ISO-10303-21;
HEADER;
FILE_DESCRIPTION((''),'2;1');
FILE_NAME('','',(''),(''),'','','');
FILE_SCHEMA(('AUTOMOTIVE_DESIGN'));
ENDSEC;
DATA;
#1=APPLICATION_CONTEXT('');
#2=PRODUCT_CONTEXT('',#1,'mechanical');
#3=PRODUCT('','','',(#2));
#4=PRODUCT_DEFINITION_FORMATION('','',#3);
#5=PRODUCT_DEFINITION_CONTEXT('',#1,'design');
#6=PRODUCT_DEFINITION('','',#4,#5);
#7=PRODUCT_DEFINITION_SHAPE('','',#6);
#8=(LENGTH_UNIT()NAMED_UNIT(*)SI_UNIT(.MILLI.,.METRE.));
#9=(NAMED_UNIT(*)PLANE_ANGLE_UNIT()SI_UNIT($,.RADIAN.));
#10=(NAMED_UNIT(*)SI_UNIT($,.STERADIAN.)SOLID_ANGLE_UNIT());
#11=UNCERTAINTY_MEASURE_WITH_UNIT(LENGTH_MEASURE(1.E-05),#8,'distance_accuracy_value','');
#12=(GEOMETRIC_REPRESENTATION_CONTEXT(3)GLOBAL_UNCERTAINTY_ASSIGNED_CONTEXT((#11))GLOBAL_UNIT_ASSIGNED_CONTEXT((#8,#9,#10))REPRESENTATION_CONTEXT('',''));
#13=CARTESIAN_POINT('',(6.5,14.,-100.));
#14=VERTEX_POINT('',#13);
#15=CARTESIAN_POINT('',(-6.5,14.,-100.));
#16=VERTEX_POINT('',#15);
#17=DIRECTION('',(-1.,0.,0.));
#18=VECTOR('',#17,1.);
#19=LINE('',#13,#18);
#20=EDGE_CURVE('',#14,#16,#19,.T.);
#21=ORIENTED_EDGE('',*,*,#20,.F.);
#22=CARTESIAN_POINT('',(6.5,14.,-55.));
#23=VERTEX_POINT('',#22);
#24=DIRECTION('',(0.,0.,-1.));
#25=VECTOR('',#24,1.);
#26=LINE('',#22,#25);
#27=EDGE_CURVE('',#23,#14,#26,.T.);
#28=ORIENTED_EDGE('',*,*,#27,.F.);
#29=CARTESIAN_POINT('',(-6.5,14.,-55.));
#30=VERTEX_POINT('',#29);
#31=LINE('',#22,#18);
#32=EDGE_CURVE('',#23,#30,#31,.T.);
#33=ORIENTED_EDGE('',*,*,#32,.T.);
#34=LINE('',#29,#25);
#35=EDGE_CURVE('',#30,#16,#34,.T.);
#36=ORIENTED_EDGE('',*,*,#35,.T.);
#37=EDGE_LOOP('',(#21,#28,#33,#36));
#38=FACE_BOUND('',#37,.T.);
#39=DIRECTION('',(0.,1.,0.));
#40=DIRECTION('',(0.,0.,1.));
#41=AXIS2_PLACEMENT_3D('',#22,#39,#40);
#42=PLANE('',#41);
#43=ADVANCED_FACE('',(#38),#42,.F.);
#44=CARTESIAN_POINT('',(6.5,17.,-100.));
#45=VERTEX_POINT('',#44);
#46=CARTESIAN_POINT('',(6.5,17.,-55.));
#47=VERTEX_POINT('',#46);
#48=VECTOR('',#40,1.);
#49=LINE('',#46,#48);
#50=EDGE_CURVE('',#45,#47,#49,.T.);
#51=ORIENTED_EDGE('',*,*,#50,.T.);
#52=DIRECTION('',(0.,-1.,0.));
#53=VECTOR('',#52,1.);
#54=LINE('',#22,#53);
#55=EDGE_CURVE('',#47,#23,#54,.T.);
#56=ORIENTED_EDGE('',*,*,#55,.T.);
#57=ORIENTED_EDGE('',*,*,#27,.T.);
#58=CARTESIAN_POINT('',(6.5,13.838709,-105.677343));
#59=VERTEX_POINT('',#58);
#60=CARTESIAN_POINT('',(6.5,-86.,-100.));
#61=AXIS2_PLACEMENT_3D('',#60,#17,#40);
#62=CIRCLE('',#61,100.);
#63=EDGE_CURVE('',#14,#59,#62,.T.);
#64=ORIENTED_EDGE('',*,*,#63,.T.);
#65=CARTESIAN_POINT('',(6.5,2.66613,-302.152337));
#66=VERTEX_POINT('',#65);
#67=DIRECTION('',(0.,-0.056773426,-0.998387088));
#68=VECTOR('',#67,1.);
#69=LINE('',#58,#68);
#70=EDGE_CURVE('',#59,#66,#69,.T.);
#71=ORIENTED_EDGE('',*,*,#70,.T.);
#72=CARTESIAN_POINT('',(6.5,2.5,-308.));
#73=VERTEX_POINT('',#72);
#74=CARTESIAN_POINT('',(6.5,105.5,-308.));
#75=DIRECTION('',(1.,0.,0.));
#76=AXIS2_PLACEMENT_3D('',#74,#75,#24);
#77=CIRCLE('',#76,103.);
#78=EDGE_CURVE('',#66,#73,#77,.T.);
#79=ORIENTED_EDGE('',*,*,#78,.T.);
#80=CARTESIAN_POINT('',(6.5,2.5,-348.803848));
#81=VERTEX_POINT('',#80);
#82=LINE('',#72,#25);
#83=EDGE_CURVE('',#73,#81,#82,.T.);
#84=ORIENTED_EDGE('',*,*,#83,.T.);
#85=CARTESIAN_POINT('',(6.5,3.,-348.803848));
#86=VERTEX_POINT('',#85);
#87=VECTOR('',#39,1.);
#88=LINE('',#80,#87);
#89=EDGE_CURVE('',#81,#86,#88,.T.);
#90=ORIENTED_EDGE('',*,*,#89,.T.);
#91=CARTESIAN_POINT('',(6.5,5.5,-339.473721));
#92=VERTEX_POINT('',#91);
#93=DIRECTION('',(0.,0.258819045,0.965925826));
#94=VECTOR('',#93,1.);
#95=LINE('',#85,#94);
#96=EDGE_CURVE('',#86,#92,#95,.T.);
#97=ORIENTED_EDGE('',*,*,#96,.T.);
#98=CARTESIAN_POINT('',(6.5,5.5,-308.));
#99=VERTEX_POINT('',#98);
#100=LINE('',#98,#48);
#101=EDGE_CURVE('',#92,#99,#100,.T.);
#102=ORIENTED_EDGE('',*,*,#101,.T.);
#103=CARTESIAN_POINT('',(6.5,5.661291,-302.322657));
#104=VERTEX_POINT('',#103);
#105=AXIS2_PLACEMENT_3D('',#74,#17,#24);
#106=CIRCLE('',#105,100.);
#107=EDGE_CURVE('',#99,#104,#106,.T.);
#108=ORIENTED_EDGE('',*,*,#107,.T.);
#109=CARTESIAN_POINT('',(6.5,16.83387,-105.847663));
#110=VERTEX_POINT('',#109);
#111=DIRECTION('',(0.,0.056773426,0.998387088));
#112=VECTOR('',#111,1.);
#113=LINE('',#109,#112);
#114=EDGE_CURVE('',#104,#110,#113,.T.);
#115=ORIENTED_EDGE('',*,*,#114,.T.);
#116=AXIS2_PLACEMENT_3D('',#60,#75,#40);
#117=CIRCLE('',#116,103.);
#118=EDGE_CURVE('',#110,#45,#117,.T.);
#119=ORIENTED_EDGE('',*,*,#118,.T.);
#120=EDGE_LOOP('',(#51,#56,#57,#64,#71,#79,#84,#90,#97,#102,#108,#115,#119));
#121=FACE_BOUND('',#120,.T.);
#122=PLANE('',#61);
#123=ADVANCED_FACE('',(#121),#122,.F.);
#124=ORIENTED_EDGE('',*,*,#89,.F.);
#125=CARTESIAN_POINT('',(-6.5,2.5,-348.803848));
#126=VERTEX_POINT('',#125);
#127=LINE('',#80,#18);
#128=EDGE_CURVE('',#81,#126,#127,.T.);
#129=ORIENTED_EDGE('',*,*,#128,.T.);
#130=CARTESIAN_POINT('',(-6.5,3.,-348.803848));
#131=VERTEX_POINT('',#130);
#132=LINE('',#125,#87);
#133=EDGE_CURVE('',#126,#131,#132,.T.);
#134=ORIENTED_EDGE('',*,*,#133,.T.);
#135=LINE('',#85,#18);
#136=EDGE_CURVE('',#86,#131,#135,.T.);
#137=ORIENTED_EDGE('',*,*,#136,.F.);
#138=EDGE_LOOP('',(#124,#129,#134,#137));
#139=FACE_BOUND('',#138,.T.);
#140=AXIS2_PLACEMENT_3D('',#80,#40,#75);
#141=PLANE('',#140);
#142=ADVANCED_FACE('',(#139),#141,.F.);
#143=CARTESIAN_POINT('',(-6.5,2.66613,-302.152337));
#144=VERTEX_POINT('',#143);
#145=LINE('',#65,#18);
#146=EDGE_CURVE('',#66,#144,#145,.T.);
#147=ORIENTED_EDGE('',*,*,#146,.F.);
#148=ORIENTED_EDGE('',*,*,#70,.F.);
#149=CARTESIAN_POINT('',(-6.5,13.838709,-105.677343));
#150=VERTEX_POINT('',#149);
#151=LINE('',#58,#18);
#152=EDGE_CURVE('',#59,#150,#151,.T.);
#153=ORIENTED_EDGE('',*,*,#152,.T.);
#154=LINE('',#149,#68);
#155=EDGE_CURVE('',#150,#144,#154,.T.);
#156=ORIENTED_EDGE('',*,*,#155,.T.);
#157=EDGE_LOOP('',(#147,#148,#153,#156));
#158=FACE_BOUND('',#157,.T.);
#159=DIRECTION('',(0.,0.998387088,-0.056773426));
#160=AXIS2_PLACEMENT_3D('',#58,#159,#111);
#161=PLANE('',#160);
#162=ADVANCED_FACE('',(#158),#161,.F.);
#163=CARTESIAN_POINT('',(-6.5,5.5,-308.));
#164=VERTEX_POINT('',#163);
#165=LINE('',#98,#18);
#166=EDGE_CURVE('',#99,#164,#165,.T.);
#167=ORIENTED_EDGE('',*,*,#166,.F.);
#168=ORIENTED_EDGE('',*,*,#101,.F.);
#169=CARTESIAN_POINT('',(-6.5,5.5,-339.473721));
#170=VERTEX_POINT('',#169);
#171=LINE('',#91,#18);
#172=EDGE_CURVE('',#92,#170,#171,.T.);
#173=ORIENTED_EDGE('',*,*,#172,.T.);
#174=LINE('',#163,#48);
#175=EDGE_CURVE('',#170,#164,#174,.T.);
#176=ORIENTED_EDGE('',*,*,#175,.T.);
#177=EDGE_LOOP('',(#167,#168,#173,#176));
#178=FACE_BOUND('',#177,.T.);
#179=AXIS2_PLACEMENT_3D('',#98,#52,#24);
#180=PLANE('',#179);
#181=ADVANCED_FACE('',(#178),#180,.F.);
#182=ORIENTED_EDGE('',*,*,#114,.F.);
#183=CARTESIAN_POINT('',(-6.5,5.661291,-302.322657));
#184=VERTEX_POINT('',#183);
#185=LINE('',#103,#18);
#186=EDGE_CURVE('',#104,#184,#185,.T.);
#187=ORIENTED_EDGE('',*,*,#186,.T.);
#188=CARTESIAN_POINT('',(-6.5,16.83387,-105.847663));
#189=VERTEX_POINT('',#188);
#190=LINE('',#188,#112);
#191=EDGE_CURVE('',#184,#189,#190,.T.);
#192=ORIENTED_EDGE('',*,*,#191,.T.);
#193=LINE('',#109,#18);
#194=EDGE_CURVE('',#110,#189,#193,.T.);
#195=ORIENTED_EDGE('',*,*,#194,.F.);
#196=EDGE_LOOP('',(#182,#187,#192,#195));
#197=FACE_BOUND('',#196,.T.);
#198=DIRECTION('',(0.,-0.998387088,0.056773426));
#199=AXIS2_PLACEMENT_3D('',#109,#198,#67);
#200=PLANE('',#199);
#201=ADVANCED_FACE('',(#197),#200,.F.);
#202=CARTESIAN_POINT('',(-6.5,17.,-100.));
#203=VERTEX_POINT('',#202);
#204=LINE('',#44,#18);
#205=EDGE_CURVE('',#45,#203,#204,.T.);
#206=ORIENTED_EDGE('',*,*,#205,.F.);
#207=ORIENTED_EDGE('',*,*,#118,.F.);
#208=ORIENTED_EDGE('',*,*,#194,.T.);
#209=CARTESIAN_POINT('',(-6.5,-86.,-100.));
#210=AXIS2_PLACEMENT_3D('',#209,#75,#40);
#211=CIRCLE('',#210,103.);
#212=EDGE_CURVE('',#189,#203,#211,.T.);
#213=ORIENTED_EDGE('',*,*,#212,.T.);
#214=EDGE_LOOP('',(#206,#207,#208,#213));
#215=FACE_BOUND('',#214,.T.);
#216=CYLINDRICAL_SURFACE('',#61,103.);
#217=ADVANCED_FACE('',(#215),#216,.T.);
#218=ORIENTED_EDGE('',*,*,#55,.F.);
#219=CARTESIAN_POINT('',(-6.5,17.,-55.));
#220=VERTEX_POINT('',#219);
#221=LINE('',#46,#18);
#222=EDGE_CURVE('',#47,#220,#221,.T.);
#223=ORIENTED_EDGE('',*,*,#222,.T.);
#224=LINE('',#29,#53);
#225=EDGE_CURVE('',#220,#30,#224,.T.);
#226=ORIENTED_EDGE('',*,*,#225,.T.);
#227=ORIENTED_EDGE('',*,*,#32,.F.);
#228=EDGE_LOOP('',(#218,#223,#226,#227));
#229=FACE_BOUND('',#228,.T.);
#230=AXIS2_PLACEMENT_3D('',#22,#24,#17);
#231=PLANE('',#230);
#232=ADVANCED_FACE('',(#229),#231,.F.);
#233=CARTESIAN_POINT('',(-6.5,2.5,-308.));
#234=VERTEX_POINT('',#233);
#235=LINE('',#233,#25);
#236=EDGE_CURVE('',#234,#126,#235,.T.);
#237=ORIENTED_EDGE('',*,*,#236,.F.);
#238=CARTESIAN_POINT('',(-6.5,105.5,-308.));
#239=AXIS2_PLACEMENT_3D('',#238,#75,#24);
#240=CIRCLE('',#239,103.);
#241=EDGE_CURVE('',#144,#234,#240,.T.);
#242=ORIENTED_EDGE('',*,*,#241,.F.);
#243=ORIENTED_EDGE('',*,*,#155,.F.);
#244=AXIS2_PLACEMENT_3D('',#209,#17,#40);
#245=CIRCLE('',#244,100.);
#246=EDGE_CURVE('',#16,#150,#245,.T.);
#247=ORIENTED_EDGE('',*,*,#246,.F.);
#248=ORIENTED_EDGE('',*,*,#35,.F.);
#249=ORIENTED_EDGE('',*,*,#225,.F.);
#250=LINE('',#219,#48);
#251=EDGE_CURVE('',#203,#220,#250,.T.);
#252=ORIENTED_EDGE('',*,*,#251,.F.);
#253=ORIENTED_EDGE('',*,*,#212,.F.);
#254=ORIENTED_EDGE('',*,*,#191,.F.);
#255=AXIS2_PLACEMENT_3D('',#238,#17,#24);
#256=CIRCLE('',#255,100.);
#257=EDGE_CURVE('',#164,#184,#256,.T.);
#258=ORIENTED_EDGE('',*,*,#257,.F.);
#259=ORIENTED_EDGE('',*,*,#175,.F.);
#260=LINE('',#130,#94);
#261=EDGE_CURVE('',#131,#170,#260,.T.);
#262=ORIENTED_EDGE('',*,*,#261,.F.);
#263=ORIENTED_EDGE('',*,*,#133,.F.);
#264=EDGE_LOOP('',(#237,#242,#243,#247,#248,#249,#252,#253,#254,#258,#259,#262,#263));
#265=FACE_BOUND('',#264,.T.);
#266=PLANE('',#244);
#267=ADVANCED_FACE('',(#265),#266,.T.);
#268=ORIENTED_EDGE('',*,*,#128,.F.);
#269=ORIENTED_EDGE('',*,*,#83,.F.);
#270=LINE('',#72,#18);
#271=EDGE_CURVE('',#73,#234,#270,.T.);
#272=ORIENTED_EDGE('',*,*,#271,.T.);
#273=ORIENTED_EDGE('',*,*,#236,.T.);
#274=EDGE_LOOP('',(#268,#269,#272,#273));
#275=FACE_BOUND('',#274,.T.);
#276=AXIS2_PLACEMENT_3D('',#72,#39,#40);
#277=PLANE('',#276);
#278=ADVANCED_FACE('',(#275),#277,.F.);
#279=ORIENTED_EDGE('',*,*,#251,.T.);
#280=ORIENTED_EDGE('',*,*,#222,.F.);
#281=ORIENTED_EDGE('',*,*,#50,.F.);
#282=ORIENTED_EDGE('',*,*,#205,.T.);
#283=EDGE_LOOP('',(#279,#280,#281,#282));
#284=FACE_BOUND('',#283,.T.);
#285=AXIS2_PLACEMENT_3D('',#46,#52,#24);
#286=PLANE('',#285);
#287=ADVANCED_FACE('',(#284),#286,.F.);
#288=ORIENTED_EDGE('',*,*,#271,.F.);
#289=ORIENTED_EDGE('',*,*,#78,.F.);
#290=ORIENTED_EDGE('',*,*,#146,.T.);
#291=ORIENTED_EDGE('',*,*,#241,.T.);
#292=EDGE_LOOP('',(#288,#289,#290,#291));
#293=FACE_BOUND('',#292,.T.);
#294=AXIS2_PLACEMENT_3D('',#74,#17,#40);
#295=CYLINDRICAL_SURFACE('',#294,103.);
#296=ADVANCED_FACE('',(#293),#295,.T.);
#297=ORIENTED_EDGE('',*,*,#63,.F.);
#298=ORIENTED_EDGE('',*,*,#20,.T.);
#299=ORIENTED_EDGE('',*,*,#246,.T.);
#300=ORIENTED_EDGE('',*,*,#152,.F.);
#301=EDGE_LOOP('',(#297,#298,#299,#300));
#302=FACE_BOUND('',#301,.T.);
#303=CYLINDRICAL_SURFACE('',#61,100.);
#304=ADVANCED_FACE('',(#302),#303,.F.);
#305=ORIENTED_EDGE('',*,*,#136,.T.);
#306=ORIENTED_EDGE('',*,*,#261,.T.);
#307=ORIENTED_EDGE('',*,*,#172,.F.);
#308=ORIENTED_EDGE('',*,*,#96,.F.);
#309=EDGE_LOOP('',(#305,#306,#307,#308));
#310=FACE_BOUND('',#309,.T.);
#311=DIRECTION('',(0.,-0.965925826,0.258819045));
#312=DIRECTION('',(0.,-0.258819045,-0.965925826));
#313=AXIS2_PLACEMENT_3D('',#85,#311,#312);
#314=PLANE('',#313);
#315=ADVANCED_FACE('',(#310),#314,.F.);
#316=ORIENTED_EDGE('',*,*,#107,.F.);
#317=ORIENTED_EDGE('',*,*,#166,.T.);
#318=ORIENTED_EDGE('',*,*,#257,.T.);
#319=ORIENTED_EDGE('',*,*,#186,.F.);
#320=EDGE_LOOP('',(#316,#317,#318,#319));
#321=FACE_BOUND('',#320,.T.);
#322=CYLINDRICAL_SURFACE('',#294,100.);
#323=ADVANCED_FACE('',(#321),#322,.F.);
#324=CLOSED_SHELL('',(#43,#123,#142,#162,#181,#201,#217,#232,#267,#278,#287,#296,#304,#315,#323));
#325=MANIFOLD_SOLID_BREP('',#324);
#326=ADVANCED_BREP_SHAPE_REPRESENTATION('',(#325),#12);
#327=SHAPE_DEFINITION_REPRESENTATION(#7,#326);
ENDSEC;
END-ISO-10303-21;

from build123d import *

# Parameters (mm, degrees)
EXTRUDE1_DEPTH = 6.5


with BuildPart() as part:
    # Sketch1 → Extrude1 (new body, symmetric)
    with BuildSketch(Plane(origin=(0, 0, 0), x_dir=(0, 0, -1), z_dir=(1, 0, 0))):
        with BuildLine():
            Line((55, 14), (100, 14))
            ThreePointArc((100, 14), (102.839816619, 13.959669075), (105.67734259, 13.838708831))
            Line((105.67734259, 13.838708831), (302.152337132, 2.666129904))
            ThreePointArc((302.152337132, 2.666129904), (305.074988882, 2.541540853), (308, 2.5))
            Line((308, 2.5), (348.803847577, 2.5))
            Line((348.803847577, 2.5), (348.803847577, 3))
            Line((348.803847577, 3), (339.473720558, 5.5))
            Line((339.473720558, 5.5), (308, 5.5))
            ThreePointArc((308, 5.5), (305.160183381, 5.540330925), (302.32265741, 5.661291169))
            Line((302.32265741, 5.661291169), (105.847662868, 16.833870096))
            ThreePointArc((105.847662868, 16.833870096), (102.925011118, 16.958459147), (100, 17))
            Line((100, 17), (55, 17))
            Line((55, 17), (55, 14))
        make_face()
    extrude(amount=EXTRUDE1_DEPTH, both=True)


solid = part.part
